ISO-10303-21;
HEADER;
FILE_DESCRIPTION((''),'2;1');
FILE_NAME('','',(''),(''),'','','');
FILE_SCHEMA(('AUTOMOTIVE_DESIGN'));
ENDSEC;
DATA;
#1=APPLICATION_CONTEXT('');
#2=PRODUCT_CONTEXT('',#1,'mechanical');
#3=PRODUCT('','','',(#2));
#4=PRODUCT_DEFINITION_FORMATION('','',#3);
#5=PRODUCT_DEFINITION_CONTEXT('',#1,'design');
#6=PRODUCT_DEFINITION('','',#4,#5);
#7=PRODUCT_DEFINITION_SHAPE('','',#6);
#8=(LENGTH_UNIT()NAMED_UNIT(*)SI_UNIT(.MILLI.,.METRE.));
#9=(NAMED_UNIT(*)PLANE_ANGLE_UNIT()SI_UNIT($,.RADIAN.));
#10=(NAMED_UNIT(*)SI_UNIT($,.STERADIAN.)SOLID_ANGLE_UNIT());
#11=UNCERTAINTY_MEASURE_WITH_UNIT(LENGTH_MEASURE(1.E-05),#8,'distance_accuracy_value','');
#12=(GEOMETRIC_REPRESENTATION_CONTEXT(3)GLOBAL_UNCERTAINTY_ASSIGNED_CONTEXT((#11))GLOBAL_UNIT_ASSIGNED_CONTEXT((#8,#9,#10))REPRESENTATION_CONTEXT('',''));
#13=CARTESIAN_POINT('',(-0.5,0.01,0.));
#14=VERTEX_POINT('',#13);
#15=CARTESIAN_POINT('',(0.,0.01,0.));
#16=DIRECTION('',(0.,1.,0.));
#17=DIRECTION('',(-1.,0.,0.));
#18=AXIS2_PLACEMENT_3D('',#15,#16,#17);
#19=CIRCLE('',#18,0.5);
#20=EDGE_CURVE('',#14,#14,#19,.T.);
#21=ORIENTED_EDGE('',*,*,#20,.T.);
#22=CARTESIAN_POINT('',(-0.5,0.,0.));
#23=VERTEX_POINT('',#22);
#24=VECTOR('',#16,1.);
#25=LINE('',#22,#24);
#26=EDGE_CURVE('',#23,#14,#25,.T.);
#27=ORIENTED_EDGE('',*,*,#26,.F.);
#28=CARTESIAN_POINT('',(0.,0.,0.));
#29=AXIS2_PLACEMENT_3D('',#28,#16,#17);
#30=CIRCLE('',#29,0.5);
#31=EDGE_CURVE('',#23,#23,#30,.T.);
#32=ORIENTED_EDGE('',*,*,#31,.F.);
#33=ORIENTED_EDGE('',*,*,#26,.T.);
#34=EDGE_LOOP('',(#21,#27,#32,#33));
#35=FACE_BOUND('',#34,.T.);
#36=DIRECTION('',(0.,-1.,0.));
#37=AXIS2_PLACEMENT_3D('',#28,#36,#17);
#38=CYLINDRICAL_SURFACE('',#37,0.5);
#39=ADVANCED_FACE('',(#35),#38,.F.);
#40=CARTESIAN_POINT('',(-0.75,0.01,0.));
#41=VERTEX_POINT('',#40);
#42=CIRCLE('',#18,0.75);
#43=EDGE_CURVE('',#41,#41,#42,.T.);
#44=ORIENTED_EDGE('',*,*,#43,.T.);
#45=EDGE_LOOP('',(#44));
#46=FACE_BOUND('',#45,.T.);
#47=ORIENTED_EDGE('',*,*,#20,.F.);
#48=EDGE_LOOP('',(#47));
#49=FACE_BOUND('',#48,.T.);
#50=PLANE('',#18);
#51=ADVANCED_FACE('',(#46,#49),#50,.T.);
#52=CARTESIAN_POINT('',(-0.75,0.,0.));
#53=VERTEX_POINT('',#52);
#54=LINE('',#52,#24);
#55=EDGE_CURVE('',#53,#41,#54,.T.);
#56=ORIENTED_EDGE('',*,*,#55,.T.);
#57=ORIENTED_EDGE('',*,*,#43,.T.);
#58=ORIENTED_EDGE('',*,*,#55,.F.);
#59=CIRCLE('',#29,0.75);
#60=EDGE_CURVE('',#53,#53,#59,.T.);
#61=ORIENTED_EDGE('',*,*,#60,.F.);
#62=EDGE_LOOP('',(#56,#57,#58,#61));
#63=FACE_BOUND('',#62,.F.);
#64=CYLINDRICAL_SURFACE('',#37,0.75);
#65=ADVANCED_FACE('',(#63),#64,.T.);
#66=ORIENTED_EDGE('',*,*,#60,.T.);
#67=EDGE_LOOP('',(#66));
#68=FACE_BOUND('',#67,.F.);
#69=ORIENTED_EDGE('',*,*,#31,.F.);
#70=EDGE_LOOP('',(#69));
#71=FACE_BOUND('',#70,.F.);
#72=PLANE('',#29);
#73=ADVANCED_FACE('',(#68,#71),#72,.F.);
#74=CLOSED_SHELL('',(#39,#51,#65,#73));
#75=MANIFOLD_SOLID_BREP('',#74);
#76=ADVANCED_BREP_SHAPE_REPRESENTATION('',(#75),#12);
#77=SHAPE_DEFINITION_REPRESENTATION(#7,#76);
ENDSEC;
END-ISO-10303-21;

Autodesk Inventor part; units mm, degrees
ref_plane "YZ Plane" through (0, 0, 0) normal (1, 0, 0) x (0, 1, 0)
ref_plane "XZ Plane" through (0, 0, 0) normal (0, 1, 0) x (-1, 0, 0)
ref_plane "XY Plane" through (0, 0, 0) normal (0, 0, 1) x (1, 0, 0)
sketch "Sketch1" plane through (0, 0, 0) normal (0, 1, 0) x (-1, 0, 0)
  circle A0 centre (0, 0) radius 0.5
  circle A1 centre (0, 0) radius 0.75
  dimension "d0" = 1
  dimension "d1" = 1.5
extrude "Extrusion1" add sketch "Sketch1" along normal blind 0.01
properties part number "hole_plating"
